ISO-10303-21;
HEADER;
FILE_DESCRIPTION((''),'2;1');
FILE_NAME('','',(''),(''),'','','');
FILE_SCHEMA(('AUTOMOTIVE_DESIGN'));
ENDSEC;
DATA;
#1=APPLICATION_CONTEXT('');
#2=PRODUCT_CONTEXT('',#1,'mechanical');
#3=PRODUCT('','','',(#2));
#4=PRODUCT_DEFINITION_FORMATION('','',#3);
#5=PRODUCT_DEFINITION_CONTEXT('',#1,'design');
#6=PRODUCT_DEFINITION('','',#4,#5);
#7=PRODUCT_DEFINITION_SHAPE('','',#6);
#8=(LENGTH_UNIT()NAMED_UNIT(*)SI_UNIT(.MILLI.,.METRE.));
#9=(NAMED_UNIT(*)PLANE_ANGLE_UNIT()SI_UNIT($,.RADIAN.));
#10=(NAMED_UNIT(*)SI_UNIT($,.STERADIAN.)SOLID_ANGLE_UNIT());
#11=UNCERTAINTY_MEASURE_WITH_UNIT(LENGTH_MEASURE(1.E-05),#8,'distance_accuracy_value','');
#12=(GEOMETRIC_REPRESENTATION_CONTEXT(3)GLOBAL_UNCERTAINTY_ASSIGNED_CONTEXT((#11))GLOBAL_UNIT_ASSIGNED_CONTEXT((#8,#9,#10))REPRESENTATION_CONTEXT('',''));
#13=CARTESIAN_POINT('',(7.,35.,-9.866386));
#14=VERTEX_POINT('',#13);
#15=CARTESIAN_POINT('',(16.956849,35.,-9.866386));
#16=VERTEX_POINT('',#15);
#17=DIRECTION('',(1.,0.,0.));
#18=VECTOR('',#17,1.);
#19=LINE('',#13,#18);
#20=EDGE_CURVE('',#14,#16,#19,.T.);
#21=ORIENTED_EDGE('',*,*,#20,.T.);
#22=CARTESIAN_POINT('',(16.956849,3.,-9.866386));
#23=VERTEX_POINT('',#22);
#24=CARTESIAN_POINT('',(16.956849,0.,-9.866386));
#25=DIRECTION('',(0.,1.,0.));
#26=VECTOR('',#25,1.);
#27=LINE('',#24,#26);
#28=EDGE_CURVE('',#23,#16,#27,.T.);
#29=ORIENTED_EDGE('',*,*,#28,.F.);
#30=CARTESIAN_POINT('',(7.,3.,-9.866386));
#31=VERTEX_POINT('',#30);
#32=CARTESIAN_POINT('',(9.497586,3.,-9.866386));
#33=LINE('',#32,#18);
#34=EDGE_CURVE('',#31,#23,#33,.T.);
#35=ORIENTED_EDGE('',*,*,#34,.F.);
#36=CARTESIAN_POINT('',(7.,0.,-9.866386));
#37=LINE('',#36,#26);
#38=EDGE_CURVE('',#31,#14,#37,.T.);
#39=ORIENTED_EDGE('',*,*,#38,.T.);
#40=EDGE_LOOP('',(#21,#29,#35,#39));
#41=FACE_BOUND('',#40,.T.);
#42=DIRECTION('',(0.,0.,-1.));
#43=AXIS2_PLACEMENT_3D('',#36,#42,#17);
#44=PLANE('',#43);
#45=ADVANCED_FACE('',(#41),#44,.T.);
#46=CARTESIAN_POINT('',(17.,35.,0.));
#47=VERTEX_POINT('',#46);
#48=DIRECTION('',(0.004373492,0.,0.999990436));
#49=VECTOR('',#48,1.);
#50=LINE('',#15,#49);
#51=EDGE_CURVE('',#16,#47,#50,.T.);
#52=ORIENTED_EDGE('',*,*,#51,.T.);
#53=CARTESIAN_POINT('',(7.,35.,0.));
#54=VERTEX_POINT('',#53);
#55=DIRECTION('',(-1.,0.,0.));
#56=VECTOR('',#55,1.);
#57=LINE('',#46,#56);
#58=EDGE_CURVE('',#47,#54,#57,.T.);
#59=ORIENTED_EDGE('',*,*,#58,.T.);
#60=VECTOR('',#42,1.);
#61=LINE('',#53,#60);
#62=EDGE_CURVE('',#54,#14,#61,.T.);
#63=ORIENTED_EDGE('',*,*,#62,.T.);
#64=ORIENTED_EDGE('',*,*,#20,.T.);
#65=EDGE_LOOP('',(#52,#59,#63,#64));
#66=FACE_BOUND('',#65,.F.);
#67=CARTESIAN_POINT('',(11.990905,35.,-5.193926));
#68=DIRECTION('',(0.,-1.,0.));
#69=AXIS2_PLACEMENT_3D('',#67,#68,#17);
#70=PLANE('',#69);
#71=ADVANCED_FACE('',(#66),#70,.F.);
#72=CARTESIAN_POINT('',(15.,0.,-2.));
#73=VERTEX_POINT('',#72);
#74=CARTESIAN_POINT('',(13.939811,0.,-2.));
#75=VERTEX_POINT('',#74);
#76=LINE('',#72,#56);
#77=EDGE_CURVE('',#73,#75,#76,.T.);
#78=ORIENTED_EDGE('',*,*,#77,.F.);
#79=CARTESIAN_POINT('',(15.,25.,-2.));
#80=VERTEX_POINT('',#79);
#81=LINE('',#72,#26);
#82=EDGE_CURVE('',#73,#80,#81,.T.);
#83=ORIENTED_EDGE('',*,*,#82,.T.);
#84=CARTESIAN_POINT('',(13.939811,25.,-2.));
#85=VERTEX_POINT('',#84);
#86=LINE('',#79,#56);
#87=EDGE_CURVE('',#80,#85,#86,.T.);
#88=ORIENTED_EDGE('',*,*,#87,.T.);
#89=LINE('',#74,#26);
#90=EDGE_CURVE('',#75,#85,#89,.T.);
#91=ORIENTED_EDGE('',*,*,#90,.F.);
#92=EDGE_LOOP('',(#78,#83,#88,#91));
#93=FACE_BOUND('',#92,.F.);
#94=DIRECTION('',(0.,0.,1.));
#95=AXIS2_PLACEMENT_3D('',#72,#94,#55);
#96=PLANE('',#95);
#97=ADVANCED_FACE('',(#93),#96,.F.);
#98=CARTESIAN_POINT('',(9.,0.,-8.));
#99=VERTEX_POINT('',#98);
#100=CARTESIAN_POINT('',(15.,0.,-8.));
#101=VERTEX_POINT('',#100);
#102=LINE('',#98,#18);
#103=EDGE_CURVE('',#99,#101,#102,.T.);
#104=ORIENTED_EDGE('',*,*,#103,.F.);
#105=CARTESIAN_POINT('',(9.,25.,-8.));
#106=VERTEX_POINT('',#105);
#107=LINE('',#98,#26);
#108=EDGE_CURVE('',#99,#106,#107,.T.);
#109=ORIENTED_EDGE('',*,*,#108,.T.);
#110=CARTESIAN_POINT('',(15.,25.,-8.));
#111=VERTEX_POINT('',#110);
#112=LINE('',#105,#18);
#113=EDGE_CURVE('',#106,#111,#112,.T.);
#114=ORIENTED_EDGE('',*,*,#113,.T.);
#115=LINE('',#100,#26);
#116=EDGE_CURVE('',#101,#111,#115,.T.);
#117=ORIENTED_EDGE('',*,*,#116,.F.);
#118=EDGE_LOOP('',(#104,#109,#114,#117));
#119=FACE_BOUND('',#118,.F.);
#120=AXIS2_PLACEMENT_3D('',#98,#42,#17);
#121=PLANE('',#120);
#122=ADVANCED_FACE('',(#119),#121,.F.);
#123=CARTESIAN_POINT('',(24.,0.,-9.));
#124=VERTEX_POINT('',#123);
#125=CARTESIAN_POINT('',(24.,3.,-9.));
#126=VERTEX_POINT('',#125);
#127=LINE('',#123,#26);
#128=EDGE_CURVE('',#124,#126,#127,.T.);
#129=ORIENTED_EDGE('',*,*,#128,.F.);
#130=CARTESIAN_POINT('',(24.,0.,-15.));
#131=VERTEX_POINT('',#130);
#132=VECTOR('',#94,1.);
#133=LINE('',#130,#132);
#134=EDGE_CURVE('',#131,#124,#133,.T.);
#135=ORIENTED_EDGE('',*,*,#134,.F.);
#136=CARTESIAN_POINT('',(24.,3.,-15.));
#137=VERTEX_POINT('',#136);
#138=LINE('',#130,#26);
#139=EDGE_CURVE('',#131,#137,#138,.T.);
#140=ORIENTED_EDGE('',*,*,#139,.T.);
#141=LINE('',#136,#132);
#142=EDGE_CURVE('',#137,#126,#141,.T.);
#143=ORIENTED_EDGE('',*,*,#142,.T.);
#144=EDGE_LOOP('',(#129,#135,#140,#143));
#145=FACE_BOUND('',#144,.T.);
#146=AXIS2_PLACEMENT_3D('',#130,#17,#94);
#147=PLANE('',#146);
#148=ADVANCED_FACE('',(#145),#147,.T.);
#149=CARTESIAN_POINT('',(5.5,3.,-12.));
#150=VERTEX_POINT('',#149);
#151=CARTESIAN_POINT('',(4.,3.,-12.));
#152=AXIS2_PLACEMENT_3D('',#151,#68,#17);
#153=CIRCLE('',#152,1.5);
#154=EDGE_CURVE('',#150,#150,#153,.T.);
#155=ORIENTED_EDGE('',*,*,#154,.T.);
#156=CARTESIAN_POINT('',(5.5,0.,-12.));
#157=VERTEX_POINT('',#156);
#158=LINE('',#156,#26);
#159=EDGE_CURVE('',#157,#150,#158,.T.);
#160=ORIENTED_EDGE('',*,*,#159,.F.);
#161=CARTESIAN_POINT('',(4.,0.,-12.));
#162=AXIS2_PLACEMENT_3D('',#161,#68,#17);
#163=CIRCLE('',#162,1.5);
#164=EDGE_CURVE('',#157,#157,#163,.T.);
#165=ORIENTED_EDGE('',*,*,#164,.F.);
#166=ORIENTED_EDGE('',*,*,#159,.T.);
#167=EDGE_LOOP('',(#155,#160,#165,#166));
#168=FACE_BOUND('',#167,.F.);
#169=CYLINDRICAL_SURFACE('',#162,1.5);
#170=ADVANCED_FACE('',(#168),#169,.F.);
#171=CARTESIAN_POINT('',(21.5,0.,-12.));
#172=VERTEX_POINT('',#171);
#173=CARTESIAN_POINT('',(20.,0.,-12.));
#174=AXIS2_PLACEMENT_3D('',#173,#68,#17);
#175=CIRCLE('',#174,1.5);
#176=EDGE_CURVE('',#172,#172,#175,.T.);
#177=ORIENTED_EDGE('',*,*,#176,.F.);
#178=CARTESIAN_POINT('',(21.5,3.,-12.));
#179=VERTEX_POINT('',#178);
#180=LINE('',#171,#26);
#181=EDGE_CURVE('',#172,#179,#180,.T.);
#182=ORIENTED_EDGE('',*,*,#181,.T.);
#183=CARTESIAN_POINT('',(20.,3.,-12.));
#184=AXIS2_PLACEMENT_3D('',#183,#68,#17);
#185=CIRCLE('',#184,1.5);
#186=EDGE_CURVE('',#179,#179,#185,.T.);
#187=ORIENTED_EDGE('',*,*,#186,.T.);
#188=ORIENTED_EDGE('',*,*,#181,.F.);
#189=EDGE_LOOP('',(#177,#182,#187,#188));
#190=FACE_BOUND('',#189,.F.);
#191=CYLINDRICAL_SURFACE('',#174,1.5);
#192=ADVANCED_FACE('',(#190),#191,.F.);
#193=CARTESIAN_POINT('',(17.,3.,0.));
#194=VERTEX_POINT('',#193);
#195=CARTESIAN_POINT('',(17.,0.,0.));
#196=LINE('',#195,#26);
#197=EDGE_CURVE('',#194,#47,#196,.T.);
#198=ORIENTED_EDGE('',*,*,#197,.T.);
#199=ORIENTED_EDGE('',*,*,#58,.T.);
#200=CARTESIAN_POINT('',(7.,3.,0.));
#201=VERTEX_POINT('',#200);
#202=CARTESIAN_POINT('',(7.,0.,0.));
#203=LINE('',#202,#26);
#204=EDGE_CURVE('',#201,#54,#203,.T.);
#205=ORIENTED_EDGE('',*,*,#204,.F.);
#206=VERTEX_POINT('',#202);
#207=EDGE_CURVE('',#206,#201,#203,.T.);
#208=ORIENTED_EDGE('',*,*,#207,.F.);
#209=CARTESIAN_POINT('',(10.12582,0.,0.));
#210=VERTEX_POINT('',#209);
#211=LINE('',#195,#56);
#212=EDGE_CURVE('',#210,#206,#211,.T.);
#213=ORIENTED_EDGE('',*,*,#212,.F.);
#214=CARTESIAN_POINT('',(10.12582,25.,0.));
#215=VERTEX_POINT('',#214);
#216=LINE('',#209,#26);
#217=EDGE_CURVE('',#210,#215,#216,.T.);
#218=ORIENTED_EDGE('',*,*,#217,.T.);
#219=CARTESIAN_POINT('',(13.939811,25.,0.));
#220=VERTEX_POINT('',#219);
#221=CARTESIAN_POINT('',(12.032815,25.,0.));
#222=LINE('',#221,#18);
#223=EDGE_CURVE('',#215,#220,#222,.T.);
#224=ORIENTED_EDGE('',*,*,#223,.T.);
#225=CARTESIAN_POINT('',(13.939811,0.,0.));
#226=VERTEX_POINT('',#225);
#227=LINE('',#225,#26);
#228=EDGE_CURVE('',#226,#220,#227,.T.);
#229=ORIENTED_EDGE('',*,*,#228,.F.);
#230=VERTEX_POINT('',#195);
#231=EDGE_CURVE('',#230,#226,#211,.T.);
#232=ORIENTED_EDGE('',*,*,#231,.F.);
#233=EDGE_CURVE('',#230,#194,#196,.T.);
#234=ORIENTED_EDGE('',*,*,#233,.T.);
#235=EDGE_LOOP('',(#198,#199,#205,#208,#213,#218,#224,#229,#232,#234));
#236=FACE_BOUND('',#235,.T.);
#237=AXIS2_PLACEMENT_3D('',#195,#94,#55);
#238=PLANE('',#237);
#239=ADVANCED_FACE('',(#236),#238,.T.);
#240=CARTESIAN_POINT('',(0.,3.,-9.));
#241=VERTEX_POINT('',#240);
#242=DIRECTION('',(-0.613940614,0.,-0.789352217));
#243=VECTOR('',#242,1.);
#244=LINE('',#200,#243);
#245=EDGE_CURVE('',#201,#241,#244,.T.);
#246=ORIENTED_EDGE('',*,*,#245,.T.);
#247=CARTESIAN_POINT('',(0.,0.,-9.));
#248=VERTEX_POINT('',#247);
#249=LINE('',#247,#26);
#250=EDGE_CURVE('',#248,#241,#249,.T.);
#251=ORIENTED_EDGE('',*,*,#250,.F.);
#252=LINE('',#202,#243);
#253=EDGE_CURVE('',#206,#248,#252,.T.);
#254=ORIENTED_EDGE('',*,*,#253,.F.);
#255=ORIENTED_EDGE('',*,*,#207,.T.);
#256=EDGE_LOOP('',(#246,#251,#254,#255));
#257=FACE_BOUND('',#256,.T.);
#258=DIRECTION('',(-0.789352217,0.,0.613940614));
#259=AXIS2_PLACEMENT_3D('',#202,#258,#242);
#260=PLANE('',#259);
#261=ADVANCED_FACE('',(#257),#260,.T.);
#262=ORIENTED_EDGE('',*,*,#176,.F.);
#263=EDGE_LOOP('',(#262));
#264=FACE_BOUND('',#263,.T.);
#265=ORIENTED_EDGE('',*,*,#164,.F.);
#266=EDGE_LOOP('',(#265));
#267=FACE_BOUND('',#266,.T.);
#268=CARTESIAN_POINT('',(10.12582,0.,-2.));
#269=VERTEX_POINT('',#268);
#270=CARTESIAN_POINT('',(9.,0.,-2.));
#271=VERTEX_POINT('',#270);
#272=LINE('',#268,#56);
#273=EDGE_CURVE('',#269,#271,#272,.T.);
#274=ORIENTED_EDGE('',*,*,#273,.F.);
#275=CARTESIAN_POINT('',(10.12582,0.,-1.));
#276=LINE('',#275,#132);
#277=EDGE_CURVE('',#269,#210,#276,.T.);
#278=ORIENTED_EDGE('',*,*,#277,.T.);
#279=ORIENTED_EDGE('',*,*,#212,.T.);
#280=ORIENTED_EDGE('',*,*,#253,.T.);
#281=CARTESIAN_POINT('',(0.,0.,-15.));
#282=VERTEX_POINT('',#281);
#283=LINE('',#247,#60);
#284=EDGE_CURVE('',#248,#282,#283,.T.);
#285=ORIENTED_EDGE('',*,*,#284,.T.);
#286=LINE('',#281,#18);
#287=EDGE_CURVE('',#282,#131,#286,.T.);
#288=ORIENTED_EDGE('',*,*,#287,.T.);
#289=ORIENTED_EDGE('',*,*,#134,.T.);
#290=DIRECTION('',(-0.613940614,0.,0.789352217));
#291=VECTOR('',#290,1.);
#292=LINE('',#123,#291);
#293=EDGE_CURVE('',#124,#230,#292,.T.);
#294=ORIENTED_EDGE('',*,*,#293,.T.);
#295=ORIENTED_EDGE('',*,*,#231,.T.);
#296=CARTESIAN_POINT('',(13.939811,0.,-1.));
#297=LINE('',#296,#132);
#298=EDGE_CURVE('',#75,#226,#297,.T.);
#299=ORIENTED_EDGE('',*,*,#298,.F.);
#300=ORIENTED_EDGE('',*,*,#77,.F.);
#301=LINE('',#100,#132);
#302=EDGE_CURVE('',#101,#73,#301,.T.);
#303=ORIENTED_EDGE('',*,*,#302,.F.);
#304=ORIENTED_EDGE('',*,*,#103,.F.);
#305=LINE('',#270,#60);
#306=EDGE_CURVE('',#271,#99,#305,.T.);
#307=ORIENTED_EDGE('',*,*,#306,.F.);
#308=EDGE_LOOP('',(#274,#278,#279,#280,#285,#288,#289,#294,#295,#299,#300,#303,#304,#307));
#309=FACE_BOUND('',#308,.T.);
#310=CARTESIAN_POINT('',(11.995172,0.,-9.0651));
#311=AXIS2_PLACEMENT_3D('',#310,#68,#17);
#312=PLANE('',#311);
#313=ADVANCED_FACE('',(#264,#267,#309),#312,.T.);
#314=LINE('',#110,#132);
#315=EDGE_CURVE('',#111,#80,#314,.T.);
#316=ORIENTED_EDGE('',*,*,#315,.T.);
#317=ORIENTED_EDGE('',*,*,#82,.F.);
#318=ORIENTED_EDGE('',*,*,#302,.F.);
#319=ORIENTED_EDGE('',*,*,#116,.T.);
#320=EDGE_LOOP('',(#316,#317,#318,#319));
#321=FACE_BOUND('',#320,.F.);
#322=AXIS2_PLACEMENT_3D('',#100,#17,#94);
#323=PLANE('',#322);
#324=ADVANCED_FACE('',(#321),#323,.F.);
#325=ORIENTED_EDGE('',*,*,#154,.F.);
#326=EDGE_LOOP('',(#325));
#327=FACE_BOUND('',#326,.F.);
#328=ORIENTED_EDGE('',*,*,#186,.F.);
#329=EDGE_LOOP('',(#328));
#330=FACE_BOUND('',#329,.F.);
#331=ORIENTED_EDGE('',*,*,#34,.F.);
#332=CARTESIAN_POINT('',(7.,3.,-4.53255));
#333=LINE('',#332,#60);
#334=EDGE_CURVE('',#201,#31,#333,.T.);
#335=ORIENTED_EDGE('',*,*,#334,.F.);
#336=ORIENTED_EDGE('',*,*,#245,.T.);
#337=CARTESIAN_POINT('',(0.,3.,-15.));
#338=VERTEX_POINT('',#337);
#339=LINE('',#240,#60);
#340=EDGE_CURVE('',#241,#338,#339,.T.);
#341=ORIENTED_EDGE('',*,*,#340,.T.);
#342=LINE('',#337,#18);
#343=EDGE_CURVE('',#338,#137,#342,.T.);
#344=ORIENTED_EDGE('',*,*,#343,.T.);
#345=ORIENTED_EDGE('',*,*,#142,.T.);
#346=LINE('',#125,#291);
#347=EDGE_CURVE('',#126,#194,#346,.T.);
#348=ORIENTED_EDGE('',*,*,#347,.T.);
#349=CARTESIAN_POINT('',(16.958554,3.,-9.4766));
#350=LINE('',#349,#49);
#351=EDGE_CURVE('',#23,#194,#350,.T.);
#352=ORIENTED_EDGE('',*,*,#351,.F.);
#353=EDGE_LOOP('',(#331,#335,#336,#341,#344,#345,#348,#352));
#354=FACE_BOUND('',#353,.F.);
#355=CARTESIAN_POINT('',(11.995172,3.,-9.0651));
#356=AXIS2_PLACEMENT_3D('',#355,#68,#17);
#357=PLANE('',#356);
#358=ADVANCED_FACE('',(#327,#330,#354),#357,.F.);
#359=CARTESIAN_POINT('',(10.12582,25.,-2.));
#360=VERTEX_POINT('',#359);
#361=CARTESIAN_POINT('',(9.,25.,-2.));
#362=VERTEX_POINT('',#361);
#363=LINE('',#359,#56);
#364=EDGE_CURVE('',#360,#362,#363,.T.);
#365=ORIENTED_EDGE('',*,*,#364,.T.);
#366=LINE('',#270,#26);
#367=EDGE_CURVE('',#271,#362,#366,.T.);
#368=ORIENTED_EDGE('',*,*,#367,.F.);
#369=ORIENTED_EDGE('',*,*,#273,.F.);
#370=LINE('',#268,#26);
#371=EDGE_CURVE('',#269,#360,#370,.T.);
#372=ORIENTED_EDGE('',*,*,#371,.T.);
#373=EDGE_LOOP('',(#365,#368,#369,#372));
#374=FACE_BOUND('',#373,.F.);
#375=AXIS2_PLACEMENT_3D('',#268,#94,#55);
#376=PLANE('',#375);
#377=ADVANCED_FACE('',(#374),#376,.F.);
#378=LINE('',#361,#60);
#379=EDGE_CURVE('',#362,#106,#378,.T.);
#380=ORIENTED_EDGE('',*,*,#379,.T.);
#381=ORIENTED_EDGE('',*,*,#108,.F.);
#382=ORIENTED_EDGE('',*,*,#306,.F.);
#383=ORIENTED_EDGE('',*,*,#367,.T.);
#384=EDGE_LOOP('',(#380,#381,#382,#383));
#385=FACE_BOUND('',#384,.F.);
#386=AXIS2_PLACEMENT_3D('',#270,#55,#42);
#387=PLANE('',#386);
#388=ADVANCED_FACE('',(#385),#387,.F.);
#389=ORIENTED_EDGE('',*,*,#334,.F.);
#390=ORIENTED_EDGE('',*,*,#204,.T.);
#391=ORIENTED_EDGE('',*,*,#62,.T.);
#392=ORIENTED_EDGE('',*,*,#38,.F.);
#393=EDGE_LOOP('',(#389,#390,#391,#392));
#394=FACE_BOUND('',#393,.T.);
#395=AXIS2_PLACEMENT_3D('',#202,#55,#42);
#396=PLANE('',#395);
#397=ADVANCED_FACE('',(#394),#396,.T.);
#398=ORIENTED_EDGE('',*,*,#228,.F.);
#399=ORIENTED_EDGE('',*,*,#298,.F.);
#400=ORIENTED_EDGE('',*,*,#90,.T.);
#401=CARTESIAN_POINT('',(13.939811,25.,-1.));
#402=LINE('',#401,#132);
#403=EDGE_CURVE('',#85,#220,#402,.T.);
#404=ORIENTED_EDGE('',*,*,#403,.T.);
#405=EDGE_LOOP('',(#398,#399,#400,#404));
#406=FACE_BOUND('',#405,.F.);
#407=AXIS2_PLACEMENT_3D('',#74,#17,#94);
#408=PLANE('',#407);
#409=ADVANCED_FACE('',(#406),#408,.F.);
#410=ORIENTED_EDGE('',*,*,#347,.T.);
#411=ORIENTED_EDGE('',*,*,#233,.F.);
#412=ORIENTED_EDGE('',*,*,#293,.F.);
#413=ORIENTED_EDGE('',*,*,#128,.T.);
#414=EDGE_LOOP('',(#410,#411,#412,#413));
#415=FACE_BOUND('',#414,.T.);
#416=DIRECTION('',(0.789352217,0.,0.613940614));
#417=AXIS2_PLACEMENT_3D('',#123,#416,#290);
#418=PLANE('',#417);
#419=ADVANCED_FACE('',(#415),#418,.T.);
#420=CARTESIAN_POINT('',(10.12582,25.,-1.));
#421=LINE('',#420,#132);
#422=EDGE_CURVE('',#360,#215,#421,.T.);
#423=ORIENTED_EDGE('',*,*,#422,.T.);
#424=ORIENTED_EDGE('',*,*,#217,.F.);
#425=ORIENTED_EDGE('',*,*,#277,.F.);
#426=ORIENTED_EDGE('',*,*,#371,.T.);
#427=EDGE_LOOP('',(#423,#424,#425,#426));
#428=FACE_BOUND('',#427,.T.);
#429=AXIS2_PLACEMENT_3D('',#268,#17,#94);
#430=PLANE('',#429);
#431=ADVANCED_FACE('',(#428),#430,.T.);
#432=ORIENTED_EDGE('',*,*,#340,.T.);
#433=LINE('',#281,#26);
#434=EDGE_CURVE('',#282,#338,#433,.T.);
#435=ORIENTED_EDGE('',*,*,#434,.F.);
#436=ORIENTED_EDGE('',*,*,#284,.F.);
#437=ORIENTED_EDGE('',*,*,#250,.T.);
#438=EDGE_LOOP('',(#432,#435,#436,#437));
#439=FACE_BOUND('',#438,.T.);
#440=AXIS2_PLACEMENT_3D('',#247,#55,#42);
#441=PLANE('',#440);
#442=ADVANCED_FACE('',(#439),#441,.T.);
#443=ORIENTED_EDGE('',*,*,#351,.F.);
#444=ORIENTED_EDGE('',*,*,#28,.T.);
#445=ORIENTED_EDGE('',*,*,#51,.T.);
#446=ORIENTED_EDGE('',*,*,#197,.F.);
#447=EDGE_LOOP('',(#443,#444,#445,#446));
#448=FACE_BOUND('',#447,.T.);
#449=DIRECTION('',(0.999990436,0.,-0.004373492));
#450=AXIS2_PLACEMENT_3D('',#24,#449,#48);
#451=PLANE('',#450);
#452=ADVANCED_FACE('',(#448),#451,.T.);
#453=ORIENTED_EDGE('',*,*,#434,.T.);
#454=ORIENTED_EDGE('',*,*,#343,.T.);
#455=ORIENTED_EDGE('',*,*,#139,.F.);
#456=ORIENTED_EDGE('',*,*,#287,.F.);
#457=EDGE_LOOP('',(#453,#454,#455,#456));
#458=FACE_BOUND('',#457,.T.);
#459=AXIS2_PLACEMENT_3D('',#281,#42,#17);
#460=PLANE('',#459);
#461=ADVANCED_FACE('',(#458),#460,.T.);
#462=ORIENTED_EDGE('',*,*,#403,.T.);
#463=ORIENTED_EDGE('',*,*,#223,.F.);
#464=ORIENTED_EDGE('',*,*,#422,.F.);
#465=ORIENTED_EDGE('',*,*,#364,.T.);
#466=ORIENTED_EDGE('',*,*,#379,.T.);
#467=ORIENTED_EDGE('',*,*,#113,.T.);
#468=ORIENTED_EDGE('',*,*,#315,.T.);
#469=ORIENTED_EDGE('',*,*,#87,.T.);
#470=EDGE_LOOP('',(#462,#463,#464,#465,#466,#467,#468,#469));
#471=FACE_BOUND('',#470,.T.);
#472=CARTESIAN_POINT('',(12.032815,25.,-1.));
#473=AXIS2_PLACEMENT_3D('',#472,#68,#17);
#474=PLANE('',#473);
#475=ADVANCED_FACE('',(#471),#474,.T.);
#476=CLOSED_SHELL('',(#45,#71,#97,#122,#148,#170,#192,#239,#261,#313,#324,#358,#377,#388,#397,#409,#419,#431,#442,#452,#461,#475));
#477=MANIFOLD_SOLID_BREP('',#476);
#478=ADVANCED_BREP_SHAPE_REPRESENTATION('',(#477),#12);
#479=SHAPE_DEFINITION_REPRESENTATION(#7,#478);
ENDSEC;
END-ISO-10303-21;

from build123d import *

# Parameters (mm, degrees)
F0_R     = 1.5
F0_W     = 3.8139913231
F0_H     = 2
F1_DEPTH = 3
F2_DEPTH = 35
F3_DEPTH = 25


with BuildPart() as f1:
    # F0 (on Front) → F1 (new body)
    with BuildSketch(Plane.XZ):
        Polygon((7, -9.8663857207), (7, 0), (0, -9), (0, -15), (24, -15), (24, -9), (17, 0), (16.9568490237, -9.8663857207), align=None)
        with Locations((4, -12)):
            Circle(F0_R, mode=Mode.SUBTRACT)
        with Locations((20, -12)):
            Circle(F0_R, mode=Mode.SUBTRACT)
        Polygon((10.1258195937, 0), (7, 0), (7, -9.8663857207), (16.9568490237, -9.8663857207), (17, 0), (13.9398109168, 0), (13.9398109168, -2), (15, -2), (15, -8), (9, -8), (9, -2), (10.1258195937, -2), align=None)
        with Locations((12.0328152552, -1)):
            Rectangle(F0_W, F0_H)
        Polygon((13.9398109168, -2), (10.1258195937, -2), (9, -2), (9, -8), (15, -8), (15, -2), align=None)
    extrude(amount=-F1_DEPTH)

    # F0 (on Front) → F2 (join)
    with BuildSketch(Plane.XZ):
        Polygon((10.1258195937, 0), (7, 0), (7, -9.8663857207), (16.9568490237, -9.8663857207), (17, 0), (13.9398109168, 0), (13.9398109168, -2), (15, -2), (15, -8), (9, -8), (9, -2), (10.1258195937, -2), align=None)
        Polygon((13.9398109168, -2), (10.1258195937, -2), (9, -2), (9, -8), (15, -8), (15, -2), align=None)
        with Locations((12.0328152552, -1)):
            Rectangle(F0_W, F0_H)
    extrude(amount=-F2_DEPTH)

    # F0 (on Front) → F3 (cut)
    with BuildSketch(Plane.XZ):
        with Locations((12.0328152552, -1)):
            Rectangle(F0_W, F0_H)
        Polygon((13.9398109168, -2), (10.1258195937, -2), (9, -2), (9, -8), (15, -8), (15, -2), align=None)
    extrude(amount=-F3_DEPTH, mode=Mode.SUBTRACT)


solid = f1.part
